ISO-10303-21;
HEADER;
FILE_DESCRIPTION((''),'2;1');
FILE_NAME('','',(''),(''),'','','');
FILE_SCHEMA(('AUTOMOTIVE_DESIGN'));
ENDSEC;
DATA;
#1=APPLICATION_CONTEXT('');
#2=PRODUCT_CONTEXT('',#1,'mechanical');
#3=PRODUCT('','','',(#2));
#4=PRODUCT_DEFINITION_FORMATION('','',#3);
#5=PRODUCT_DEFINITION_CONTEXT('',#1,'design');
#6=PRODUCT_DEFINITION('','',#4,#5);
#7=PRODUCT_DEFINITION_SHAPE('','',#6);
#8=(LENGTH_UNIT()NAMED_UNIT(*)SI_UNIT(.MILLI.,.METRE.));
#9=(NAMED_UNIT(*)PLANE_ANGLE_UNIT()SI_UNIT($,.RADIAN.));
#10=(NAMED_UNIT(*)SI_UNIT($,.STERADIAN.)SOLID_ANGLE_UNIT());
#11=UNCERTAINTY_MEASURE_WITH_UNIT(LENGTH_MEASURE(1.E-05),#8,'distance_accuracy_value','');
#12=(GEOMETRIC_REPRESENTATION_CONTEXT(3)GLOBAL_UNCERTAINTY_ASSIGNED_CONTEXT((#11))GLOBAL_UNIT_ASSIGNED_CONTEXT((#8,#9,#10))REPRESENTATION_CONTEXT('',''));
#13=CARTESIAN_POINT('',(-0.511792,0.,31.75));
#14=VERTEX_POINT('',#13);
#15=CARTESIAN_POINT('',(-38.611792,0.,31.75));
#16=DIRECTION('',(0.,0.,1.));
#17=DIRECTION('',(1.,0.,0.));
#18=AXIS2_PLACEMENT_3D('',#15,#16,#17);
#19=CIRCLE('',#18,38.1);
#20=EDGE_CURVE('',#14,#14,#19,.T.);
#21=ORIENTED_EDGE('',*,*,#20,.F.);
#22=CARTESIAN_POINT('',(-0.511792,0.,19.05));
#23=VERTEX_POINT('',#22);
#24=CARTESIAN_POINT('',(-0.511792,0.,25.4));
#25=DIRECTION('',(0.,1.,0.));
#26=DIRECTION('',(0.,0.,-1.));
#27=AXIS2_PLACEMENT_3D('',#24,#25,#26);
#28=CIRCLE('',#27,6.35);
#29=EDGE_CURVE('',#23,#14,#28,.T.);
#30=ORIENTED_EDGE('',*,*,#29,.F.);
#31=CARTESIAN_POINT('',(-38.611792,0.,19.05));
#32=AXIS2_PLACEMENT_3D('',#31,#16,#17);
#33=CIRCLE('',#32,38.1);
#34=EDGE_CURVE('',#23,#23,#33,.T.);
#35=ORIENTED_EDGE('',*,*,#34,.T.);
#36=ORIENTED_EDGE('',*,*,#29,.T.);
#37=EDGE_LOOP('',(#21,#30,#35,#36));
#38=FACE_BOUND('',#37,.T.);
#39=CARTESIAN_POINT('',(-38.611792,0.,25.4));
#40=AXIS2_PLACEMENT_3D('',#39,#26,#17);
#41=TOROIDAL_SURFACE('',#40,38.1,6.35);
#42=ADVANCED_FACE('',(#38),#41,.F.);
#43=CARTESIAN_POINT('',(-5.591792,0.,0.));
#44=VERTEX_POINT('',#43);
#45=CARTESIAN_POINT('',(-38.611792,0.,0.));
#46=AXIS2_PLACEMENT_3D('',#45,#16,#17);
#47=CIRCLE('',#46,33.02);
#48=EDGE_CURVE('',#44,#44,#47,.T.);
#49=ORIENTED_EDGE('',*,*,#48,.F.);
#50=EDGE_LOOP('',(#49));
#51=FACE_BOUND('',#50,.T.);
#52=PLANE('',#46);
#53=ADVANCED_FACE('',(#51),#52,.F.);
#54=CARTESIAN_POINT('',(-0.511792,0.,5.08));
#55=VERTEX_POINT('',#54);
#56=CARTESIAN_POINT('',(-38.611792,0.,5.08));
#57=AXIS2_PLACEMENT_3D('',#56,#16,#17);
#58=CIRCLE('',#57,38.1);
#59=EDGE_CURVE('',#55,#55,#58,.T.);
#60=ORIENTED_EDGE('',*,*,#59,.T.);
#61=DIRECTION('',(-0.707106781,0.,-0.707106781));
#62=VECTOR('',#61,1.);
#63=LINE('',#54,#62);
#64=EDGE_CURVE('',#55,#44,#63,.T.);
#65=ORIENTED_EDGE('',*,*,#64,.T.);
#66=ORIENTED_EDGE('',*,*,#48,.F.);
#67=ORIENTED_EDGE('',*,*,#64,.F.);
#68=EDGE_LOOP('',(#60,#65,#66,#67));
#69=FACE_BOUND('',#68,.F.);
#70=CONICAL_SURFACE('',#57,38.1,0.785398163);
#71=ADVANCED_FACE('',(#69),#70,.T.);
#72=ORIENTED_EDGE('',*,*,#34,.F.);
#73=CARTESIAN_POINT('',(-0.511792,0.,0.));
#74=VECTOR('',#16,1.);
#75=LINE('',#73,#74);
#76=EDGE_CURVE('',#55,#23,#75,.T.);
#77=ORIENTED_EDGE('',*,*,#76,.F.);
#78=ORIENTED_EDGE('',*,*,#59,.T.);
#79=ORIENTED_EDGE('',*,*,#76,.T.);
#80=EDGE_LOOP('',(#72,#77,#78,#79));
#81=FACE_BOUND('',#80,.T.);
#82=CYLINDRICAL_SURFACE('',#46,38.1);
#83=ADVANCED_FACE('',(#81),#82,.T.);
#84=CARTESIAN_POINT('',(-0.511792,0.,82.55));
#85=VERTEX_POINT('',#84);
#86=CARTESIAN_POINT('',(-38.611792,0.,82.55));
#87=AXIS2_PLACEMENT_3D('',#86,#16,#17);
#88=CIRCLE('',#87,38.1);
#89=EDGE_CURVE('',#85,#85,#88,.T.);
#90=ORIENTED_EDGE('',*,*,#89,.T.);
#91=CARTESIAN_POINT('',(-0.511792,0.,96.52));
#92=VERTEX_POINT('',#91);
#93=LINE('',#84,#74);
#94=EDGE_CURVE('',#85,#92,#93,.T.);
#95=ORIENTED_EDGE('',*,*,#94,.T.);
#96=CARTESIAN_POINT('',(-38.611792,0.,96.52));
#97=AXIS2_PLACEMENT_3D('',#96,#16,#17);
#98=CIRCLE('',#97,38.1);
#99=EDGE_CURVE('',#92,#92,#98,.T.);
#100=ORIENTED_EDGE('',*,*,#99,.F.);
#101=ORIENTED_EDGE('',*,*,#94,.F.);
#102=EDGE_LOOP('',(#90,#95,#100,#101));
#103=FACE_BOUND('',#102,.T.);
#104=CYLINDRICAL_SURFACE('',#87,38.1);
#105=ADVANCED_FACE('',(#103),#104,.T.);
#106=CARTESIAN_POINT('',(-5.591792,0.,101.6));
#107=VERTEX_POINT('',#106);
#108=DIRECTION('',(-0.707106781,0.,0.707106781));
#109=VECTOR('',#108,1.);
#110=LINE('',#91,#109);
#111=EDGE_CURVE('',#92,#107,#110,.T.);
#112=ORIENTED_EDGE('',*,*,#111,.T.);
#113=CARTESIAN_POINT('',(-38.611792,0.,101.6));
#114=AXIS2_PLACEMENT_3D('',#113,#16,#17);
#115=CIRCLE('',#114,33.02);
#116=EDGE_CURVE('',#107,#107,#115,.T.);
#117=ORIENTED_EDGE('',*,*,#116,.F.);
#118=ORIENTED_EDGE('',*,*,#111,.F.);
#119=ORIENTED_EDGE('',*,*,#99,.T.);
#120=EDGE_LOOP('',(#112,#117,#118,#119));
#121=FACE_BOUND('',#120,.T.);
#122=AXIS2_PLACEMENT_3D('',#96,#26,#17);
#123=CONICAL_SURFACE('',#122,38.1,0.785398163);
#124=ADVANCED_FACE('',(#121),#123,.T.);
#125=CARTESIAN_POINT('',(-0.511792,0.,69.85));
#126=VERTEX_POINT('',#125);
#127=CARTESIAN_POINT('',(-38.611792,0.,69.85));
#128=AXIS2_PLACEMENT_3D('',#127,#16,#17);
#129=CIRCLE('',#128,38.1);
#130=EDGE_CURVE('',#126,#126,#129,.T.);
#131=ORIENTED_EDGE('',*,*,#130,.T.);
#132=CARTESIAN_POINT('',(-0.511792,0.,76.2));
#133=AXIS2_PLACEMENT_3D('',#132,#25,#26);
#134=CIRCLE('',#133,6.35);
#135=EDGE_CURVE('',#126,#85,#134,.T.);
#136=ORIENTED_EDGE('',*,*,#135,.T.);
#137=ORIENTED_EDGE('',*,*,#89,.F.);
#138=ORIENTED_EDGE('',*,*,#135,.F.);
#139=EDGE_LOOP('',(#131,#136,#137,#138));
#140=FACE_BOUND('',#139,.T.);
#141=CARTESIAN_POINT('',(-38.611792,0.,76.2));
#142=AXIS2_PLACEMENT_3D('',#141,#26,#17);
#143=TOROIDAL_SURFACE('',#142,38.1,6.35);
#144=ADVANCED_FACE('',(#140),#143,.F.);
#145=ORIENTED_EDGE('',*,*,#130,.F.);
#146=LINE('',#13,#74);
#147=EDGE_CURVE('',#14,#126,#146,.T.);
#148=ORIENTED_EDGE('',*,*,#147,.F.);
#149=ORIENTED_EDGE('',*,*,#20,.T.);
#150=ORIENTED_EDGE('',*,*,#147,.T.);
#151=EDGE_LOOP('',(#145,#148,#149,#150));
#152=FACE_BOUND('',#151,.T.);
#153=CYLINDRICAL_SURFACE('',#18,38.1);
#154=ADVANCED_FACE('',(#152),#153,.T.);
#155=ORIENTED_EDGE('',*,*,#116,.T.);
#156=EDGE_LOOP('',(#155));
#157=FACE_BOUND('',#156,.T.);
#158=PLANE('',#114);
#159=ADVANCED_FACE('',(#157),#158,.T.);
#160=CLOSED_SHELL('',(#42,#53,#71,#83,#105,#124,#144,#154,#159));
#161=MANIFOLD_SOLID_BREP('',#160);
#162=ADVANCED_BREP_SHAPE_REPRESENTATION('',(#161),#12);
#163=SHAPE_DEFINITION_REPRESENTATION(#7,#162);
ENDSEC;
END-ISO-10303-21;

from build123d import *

# Parameters (mm, degrees)
F2_SIZE = 5.08
F3_SIZE = 5.08


with BuildPart() as f1:
    # F0 (on Front) → F1 (revolve)
    with BuildSketch(Plane.XZ):
        with BuildLine():
            Line((-38.611792028, 0), (-0.511792028, 0))
            Line((-0.511792028, 0), (-0.511792028, 19.05))
            ThreePointArc((-0.511792028, 19.05), (-6.861792028, 25.4), (-0.511792028, 31.75))
            Line((-0.511792028, 31.75), (-0.511792028, 69.85))
            ThreePointArc((-0.511792028, 69.85), (-6.861792028, 76.2), (-0.511792028, 82.55))
            Line((-0.511792028, 82.55), (-0.511792028, 101.6))
            Line((-0.511792028, 101.6), (-38.611792028, 101.6))
            Line((-38.611792028, 101.6), (-38.611792028, 0))
        make_face()
    revolve(axis=Axis((-38.611792028, 0, 50.8), (0, 0, 1)))

    # F2
    f2_edges = [f1.edges().sort_by_distance(p)[0] for p in [
        (-76.711792, 0, 101.6),
    ]]
    chamfer(f2_edges, length=F2_SIZE)

    # F3
    f3_edges = [f1.edges().sort_by_distance(p)[0] for p in [
        (-76.711792, 0, 0),
    ]]
    chamfer(f3_edges, length=F3_SIZE)


solid = f1.part
